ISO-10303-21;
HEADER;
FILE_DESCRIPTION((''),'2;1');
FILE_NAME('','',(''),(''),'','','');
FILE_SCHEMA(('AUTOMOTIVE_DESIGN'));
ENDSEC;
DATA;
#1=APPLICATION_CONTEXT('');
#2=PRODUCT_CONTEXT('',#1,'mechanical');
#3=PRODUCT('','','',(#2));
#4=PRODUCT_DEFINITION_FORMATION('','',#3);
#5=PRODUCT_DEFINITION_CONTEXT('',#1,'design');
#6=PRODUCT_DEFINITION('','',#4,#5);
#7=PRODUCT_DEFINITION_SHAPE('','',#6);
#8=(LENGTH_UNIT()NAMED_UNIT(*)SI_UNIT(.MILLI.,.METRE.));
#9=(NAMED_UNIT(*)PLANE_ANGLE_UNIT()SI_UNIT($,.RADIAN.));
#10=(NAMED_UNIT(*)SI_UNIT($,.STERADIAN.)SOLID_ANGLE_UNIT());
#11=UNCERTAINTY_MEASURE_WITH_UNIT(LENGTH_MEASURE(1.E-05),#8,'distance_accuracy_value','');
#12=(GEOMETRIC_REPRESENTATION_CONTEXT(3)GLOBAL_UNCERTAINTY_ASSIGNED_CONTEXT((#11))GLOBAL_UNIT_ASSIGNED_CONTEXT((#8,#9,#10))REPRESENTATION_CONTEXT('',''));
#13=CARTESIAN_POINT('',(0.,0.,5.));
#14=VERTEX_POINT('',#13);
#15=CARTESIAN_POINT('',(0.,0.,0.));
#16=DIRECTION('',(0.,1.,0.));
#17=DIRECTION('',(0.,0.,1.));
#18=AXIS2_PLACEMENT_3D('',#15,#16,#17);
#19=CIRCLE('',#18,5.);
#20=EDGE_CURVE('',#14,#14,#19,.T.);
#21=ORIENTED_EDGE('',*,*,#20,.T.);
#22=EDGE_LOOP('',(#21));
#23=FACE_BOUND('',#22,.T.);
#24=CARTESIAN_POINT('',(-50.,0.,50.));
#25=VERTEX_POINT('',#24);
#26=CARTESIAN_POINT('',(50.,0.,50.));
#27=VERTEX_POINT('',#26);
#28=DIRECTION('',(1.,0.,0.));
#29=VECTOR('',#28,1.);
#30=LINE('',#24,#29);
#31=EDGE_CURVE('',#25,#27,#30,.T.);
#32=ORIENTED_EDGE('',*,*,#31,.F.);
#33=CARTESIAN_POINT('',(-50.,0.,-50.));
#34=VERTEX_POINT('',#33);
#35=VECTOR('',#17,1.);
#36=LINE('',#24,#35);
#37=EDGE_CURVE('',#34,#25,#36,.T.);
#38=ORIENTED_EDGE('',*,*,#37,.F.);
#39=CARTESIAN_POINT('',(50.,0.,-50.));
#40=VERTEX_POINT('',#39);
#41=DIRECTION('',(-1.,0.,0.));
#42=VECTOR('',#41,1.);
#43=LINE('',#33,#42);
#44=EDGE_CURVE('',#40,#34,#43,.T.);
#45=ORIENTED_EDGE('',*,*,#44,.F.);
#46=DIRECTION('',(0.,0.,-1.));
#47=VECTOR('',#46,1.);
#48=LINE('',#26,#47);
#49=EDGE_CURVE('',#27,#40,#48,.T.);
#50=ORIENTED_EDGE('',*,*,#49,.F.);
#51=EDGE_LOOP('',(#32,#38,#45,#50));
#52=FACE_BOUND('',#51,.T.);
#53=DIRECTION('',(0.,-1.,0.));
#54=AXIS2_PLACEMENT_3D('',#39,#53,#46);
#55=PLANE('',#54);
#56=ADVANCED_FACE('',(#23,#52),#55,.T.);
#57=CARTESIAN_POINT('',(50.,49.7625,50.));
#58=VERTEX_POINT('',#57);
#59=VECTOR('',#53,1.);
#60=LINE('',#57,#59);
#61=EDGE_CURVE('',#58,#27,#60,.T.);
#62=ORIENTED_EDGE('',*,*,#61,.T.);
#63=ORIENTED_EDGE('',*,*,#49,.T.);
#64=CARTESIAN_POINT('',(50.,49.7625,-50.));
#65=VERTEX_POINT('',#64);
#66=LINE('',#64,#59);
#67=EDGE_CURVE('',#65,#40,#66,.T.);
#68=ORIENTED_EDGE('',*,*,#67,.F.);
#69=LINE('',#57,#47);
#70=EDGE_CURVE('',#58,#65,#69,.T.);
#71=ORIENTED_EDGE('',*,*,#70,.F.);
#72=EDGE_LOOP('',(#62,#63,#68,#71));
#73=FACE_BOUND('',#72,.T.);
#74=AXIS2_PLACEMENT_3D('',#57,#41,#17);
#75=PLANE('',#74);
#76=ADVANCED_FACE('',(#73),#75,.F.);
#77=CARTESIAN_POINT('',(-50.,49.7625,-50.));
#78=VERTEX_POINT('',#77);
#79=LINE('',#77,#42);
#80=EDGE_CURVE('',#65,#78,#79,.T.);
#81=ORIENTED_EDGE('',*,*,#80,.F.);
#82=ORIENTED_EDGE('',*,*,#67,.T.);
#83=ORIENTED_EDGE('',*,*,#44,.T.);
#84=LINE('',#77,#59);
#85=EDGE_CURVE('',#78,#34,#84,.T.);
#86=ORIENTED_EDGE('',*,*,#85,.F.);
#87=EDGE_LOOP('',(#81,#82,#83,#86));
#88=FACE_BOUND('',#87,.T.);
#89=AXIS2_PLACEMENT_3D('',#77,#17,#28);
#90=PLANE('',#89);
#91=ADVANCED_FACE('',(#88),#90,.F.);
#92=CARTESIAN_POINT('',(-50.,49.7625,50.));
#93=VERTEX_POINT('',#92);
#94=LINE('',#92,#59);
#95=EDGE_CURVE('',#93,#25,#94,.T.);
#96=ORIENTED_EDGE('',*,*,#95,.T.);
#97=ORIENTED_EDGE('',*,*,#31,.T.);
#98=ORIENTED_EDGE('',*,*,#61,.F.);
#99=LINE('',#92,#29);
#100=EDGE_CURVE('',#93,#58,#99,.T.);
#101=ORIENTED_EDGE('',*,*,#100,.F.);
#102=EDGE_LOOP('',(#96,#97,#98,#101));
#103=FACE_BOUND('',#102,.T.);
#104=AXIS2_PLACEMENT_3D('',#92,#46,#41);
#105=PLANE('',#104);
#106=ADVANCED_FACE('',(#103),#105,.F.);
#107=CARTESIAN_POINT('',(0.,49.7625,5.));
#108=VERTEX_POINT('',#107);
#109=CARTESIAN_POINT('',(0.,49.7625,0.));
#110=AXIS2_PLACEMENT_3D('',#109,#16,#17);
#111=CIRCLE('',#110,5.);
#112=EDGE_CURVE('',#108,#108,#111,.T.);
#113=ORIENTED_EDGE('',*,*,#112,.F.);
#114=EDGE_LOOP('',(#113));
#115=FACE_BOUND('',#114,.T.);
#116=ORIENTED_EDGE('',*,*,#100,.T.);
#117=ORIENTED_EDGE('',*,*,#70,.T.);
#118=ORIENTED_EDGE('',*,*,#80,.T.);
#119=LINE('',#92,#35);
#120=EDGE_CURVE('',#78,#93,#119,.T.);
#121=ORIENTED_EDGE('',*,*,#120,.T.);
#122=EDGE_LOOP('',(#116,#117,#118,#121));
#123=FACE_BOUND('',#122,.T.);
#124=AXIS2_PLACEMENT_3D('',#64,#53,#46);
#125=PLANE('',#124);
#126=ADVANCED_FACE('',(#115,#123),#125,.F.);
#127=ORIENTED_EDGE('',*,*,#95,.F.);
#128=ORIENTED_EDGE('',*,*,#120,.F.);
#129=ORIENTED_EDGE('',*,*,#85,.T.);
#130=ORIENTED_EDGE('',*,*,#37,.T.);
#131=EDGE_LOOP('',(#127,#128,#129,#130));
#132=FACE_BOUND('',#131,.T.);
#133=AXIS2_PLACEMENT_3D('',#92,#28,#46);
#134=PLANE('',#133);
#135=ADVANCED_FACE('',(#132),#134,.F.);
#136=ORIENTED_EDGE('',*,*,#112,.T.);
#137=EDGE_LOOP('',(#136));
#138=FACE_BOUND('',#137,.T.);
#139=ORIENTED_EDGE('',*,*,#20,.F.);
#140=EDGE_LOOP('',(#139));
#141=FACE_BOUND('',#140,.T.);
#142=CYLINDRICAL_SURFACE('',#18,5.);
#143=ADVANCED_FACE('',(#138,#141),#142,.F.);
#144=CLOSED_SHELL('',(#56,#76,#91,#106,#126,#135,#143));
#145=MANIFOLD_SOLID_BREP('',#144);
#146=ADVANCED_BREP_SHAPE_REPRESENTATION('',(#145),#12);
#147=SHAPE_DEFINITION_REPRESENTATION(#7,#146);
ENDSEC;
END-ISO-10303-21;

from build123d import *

# Parameters (mm, degrees)
SKETCH1_W           = 100
SKETCH1_H           = 100
BOSS_EXTRUDE1_DEPTH = 49.7625
SKETCH2_R           = 5
CUT_EXTRUDE1_DEPTH  = 50.7625


with BuildPart() as part:
    # Sketch1 → Boss-Extrude1 (new body)
    with BuildSketch(Plane(origin=(0, 0, 0), x_dir=(1, 0, 0), z_dir=(0, 1, 0))):
        Rectangle(SKETCH1_W, SKETCH1_H)
    extrude(amount=BOSS_EXTRUDE1_DEPTH)

    # Sketch2 → Cut-Extrude1 (cut, through all)
    with BuildSketch(Plane(origin=(0, 49.7625, 0), x_dir=(-1, 0, 0), z_dir=(0, 1, 0))):
        Circle(SKETCH2_R)
    extrude(amount=-CUT_EXTRUDE1_DEPTH, mode=Mode.SUBTRACT)


solid = part.part
